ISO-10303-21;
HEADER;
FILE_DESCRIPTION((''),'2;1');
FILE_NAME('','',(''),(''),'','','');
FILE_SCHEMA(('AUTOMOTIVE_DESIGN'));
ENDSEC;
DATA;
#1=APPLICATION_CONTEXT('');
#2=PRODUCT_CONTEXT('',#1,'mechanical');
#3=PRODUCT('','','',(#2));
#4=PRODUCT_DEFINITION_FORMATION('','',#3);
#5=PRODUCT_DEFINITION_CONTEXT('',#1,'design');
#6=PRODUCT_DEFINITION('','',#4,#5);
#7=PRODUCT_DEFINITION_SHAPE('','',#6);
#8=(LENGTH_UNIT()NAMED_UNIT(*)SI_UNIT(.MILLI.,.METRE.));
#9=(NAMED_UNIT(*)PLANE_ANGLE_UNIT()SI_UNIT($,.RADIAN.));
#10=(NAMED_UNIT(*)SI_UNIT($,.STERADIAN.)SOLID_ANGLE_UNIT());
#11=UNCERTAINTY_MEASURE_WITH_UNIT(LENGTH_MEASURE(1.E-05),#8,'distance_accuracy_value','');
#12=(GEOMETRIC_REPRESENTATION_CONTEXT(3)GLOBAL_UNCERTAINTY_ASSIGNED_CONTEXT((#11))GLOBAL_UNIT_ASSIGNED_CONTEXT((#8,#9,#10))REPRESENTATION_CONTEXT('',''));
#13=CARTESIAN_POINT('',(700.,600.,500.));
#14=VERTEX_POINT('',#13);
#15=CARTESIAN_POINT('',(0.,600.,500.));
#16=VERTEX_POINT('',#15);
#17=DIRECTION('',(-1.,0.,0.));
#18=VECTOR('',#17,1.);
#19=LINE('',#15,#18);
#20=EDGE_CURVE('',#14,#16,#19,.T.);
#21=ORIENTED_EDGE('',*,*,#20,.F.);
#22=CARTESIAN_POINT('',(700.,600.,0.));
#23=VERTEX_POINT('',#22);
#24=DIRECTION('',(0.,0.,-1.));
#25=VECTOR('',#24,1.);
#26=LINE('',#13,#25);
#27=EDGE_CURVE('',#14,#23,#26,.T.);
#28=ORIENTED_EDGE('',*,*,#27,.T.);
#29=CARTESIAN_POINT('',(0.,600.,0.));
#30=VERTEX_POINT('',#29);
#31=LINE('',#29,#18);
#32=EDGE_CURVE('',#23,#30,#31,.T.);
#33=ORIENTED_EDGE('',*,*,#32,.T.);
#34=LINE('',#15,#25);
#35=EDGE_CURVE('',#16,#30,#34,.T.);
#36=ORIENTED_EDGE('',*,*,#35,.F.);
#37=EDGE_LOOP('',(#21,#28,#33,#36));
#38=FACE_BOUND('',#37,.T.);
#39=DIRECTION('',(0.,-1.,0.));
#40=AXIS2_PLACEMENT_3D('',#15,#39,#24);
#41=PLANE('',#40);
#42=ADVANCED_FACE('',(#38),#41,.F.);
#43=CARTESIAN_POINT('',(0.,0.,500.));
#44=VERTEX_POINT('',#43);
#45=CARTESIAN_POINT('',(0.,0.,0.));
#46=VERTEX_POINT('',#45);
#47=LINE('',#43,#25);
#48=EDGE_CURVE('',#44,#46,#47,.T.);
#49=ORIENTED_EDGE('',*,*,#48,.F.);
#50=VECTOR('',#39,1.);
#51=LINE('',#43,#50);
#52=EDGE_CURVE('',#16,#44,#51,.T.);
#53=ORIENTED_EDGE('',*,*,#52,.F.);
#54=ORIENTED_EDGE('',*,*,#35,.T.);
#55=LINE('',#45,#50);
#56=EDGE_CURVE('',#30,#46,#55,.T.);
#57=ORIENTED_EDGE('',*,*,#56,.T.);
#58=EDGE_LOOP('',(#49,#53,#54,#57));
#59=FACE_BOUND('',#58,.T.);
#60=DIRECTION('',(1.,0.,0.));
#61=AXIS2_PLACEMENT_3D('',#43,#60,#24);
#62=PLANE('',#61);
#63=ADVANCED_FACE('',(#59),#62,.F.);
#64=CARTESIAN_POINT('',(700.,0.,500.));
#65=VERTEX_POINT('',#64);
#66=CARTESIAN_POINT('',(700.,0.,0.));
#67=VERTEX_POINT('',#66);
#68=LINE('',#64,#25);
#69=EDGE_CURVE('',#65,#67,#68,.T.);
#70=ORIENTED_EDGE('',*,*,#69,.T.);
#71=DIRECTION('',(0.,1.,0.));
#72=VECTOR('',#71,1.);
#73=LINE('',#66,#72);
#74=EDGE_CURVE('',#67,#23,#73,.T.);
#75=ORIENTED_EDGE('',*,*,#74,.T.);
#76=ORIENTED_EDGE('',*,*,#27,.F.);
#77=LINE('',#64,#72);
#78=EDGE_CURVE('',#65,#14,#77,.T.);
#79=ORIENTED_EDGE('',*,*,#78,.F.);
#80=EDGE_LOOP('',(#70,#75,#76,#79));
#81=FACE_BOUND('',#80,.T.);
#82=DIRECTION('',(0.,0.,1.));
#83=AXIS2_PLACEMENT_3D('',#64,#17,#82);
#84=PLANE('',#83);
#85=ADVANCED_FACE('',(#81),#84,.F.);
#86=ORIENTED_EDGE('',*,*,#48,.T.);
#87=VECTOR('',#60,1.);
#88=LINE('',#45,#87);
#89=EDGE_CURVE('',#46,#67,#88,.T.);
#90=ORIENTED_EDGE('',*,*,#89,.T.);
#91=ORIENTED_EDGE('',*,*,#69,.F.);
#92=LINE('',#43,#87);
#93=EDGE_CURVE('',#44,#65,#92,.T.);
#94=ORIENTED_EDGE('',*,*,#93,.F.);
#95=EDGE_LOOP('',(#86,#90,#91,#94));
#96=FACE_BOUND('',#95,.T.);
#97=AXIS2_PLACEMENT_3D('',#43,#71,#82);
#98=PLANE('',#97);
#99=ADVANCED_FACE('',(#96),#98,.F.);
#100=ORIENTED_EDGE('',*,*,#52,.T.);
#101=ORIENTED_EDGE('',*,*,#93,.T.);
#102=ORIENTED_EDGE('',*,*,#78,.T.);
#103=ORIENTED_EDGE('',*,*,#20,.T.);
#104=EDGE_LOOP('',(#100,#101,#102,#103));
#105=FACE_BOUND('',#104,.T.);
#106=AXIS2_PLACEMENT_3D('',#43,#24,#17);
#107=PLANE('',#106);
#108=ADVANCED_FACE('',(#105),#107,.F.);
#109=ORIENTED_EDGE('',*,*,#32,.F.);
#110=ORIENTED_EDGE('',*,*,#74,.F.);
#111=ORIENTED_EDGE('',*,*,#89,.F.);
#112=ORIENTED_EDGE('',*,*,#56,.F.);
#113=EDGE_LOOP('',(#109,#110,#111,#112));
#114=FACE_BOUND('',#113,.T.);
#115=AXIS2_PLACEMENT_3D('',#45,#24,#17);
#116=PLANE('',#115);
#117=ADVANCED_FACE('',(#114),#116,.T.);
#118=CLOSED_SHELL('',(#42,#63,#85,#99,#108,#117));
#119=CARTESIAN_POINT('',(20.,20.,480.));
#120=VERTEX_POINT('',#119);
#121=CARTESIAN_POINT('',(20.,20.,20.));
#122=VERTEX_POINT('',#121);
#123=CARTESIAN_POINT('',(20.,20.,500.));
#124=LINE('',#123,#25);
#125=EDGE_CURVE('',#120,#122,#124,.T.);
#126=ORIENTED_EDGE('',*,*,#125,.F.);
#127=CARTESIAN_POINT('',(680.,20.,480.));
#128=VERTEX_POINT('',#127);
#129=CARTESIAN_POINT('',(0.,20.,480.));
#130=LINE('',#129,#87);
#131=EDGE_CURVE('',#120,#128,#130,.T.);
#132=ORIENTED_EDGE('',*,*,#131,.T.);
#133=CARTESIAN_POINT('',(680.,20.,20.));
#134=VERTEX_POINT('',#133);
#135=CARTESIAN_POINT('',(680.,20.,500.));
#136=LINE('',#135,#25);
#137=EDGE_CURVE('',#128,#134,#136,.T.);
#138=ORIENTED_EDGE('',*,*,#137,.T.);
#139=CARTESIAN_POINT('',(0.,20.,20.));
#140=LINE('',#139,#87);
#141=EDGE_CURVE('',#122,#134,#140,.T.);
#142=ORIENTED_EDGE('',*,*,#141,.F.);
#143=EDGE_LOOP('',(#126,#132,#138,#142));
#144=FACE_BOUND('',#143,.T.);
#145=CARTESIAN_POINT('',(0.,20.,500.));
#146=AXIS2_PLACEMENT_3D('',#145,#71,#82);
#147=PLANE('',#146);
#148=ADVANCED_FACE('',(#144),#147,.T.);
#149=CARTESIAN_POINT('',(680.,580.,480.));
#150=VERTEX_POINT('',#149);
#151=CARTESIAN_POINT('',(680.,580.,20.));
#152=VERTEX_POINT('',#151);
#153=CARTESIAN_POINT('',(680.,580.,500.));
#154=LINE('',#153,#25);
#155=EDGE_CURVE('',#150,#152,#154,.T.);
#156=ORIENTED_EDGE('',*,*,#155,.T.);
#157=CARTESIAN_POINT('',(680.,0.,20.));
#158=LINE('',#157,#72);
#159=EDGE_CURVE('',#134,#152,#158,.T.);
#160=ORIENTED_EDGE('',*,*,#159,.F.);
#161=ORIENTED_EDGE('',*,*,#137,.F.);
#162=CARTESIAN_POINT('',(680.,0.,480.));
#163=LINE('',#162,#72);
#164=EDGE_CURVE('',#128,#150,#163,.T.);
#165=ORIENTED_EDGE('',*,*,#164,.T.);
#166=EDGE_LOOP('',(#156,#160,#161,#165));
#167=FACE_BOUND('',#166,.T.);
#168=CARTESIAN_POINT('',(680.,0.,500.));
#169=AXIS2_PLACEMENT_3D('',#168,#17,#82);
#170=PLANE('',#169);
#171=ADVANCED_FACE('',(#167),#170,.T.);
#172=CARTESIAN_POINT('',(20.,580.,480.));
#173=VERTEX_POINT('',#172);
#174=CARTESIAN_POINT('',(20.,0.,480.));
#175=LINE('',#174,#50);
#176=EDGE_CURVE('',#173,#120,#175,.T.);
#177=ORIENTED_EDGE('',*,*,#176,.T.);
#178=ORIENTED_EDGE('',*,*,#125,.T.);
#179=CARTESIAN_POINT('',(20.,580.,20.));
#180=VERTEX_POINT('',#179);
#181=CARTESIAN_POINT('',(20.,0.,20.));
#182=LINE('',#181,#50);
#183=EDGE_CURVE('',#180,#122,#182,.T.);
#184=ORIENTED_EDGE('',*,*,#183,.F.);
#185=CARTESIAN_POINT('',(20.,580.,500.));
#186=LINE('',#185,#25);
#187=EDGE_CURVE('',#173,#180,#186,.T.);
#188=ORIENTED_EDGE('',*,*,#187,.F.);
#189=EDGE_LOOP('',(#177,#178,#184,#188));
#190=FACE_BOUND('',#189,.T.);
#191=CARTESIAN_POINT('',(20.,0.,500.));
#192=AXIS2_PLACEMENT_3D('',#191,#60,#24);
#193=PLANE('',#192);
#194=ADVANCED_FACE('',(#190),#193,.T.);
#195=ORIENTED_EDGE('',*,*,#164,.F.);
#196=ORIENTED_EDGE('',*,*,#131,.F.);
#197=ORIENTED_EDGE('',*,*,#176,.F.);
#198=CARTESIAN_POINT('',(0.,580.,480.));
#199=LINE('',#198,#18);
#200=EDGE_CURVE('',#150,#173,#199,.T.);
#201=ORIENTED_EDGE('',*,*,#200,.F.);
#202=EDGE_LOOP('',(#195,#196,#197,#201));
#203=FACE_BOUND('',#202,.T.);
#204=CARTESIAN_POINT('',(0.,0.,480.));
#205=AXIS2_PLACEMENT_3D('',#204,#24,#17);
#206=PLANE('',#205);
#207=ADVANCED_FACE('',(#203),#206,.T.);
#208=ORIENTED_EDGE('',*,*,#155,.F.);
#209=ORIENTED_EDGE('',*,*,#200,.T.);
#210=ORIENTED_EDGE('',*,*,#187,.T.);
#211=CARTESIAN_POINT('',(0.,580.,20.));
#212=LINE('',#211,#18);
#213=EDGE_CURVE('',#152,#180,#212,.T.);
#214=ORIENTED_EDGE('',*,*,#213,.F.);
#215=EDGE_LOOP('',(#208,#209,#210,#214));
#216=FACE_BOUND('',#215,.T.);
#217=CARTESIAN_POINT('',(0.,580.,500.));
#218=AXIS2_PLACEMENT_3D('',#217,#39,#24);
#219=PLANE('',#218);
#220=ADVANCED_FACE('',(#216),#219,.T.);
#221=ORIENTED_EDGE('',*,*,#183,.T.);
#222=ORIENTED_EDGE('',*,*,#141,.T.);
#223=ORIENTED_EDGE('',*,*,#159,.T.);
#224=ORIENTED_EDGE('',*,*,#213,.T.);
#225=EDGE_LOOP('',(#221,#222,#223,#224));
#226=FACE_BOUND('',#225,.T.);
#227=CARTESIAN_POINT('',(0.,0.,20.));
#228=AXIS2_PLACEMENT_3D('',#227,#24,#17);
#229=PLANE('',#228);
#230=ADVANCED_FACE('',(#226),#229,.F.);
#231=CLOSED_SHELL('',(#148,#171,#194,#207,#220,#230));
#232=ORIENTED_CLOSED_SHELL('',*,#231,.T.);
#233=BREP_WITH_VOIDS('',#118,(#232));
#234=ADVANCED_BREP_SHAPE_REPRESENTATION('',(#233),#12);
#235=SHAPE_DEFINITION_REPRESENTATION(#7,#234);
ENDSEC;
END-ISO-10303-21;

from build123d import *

# Parameters (mm, degrees)
SKETCH1_W           = 700
SKETCH1_H           = 600
BOSS_EXTRUDE1_DEPTH = 500
SHELL4_T            = 20


with BuildPart() as part:
    # Sketch1 → Boss-Extrude1 (new body)
    with BuildSketch(Plane.XY):
        with Locations((350, 300)):
            Rectangle(SKETCH1_W, SKETCH1_H)
    extrude(amount=BOSS_EXTRUDE1_DEPTH)

    # Shell4 (no face opened: a closed hollow body)
    add(offset(amount=-SHELL4_T, mode=Mode.PRIVATE), mode=Mode.SUBTRACT)


solid = part.part
